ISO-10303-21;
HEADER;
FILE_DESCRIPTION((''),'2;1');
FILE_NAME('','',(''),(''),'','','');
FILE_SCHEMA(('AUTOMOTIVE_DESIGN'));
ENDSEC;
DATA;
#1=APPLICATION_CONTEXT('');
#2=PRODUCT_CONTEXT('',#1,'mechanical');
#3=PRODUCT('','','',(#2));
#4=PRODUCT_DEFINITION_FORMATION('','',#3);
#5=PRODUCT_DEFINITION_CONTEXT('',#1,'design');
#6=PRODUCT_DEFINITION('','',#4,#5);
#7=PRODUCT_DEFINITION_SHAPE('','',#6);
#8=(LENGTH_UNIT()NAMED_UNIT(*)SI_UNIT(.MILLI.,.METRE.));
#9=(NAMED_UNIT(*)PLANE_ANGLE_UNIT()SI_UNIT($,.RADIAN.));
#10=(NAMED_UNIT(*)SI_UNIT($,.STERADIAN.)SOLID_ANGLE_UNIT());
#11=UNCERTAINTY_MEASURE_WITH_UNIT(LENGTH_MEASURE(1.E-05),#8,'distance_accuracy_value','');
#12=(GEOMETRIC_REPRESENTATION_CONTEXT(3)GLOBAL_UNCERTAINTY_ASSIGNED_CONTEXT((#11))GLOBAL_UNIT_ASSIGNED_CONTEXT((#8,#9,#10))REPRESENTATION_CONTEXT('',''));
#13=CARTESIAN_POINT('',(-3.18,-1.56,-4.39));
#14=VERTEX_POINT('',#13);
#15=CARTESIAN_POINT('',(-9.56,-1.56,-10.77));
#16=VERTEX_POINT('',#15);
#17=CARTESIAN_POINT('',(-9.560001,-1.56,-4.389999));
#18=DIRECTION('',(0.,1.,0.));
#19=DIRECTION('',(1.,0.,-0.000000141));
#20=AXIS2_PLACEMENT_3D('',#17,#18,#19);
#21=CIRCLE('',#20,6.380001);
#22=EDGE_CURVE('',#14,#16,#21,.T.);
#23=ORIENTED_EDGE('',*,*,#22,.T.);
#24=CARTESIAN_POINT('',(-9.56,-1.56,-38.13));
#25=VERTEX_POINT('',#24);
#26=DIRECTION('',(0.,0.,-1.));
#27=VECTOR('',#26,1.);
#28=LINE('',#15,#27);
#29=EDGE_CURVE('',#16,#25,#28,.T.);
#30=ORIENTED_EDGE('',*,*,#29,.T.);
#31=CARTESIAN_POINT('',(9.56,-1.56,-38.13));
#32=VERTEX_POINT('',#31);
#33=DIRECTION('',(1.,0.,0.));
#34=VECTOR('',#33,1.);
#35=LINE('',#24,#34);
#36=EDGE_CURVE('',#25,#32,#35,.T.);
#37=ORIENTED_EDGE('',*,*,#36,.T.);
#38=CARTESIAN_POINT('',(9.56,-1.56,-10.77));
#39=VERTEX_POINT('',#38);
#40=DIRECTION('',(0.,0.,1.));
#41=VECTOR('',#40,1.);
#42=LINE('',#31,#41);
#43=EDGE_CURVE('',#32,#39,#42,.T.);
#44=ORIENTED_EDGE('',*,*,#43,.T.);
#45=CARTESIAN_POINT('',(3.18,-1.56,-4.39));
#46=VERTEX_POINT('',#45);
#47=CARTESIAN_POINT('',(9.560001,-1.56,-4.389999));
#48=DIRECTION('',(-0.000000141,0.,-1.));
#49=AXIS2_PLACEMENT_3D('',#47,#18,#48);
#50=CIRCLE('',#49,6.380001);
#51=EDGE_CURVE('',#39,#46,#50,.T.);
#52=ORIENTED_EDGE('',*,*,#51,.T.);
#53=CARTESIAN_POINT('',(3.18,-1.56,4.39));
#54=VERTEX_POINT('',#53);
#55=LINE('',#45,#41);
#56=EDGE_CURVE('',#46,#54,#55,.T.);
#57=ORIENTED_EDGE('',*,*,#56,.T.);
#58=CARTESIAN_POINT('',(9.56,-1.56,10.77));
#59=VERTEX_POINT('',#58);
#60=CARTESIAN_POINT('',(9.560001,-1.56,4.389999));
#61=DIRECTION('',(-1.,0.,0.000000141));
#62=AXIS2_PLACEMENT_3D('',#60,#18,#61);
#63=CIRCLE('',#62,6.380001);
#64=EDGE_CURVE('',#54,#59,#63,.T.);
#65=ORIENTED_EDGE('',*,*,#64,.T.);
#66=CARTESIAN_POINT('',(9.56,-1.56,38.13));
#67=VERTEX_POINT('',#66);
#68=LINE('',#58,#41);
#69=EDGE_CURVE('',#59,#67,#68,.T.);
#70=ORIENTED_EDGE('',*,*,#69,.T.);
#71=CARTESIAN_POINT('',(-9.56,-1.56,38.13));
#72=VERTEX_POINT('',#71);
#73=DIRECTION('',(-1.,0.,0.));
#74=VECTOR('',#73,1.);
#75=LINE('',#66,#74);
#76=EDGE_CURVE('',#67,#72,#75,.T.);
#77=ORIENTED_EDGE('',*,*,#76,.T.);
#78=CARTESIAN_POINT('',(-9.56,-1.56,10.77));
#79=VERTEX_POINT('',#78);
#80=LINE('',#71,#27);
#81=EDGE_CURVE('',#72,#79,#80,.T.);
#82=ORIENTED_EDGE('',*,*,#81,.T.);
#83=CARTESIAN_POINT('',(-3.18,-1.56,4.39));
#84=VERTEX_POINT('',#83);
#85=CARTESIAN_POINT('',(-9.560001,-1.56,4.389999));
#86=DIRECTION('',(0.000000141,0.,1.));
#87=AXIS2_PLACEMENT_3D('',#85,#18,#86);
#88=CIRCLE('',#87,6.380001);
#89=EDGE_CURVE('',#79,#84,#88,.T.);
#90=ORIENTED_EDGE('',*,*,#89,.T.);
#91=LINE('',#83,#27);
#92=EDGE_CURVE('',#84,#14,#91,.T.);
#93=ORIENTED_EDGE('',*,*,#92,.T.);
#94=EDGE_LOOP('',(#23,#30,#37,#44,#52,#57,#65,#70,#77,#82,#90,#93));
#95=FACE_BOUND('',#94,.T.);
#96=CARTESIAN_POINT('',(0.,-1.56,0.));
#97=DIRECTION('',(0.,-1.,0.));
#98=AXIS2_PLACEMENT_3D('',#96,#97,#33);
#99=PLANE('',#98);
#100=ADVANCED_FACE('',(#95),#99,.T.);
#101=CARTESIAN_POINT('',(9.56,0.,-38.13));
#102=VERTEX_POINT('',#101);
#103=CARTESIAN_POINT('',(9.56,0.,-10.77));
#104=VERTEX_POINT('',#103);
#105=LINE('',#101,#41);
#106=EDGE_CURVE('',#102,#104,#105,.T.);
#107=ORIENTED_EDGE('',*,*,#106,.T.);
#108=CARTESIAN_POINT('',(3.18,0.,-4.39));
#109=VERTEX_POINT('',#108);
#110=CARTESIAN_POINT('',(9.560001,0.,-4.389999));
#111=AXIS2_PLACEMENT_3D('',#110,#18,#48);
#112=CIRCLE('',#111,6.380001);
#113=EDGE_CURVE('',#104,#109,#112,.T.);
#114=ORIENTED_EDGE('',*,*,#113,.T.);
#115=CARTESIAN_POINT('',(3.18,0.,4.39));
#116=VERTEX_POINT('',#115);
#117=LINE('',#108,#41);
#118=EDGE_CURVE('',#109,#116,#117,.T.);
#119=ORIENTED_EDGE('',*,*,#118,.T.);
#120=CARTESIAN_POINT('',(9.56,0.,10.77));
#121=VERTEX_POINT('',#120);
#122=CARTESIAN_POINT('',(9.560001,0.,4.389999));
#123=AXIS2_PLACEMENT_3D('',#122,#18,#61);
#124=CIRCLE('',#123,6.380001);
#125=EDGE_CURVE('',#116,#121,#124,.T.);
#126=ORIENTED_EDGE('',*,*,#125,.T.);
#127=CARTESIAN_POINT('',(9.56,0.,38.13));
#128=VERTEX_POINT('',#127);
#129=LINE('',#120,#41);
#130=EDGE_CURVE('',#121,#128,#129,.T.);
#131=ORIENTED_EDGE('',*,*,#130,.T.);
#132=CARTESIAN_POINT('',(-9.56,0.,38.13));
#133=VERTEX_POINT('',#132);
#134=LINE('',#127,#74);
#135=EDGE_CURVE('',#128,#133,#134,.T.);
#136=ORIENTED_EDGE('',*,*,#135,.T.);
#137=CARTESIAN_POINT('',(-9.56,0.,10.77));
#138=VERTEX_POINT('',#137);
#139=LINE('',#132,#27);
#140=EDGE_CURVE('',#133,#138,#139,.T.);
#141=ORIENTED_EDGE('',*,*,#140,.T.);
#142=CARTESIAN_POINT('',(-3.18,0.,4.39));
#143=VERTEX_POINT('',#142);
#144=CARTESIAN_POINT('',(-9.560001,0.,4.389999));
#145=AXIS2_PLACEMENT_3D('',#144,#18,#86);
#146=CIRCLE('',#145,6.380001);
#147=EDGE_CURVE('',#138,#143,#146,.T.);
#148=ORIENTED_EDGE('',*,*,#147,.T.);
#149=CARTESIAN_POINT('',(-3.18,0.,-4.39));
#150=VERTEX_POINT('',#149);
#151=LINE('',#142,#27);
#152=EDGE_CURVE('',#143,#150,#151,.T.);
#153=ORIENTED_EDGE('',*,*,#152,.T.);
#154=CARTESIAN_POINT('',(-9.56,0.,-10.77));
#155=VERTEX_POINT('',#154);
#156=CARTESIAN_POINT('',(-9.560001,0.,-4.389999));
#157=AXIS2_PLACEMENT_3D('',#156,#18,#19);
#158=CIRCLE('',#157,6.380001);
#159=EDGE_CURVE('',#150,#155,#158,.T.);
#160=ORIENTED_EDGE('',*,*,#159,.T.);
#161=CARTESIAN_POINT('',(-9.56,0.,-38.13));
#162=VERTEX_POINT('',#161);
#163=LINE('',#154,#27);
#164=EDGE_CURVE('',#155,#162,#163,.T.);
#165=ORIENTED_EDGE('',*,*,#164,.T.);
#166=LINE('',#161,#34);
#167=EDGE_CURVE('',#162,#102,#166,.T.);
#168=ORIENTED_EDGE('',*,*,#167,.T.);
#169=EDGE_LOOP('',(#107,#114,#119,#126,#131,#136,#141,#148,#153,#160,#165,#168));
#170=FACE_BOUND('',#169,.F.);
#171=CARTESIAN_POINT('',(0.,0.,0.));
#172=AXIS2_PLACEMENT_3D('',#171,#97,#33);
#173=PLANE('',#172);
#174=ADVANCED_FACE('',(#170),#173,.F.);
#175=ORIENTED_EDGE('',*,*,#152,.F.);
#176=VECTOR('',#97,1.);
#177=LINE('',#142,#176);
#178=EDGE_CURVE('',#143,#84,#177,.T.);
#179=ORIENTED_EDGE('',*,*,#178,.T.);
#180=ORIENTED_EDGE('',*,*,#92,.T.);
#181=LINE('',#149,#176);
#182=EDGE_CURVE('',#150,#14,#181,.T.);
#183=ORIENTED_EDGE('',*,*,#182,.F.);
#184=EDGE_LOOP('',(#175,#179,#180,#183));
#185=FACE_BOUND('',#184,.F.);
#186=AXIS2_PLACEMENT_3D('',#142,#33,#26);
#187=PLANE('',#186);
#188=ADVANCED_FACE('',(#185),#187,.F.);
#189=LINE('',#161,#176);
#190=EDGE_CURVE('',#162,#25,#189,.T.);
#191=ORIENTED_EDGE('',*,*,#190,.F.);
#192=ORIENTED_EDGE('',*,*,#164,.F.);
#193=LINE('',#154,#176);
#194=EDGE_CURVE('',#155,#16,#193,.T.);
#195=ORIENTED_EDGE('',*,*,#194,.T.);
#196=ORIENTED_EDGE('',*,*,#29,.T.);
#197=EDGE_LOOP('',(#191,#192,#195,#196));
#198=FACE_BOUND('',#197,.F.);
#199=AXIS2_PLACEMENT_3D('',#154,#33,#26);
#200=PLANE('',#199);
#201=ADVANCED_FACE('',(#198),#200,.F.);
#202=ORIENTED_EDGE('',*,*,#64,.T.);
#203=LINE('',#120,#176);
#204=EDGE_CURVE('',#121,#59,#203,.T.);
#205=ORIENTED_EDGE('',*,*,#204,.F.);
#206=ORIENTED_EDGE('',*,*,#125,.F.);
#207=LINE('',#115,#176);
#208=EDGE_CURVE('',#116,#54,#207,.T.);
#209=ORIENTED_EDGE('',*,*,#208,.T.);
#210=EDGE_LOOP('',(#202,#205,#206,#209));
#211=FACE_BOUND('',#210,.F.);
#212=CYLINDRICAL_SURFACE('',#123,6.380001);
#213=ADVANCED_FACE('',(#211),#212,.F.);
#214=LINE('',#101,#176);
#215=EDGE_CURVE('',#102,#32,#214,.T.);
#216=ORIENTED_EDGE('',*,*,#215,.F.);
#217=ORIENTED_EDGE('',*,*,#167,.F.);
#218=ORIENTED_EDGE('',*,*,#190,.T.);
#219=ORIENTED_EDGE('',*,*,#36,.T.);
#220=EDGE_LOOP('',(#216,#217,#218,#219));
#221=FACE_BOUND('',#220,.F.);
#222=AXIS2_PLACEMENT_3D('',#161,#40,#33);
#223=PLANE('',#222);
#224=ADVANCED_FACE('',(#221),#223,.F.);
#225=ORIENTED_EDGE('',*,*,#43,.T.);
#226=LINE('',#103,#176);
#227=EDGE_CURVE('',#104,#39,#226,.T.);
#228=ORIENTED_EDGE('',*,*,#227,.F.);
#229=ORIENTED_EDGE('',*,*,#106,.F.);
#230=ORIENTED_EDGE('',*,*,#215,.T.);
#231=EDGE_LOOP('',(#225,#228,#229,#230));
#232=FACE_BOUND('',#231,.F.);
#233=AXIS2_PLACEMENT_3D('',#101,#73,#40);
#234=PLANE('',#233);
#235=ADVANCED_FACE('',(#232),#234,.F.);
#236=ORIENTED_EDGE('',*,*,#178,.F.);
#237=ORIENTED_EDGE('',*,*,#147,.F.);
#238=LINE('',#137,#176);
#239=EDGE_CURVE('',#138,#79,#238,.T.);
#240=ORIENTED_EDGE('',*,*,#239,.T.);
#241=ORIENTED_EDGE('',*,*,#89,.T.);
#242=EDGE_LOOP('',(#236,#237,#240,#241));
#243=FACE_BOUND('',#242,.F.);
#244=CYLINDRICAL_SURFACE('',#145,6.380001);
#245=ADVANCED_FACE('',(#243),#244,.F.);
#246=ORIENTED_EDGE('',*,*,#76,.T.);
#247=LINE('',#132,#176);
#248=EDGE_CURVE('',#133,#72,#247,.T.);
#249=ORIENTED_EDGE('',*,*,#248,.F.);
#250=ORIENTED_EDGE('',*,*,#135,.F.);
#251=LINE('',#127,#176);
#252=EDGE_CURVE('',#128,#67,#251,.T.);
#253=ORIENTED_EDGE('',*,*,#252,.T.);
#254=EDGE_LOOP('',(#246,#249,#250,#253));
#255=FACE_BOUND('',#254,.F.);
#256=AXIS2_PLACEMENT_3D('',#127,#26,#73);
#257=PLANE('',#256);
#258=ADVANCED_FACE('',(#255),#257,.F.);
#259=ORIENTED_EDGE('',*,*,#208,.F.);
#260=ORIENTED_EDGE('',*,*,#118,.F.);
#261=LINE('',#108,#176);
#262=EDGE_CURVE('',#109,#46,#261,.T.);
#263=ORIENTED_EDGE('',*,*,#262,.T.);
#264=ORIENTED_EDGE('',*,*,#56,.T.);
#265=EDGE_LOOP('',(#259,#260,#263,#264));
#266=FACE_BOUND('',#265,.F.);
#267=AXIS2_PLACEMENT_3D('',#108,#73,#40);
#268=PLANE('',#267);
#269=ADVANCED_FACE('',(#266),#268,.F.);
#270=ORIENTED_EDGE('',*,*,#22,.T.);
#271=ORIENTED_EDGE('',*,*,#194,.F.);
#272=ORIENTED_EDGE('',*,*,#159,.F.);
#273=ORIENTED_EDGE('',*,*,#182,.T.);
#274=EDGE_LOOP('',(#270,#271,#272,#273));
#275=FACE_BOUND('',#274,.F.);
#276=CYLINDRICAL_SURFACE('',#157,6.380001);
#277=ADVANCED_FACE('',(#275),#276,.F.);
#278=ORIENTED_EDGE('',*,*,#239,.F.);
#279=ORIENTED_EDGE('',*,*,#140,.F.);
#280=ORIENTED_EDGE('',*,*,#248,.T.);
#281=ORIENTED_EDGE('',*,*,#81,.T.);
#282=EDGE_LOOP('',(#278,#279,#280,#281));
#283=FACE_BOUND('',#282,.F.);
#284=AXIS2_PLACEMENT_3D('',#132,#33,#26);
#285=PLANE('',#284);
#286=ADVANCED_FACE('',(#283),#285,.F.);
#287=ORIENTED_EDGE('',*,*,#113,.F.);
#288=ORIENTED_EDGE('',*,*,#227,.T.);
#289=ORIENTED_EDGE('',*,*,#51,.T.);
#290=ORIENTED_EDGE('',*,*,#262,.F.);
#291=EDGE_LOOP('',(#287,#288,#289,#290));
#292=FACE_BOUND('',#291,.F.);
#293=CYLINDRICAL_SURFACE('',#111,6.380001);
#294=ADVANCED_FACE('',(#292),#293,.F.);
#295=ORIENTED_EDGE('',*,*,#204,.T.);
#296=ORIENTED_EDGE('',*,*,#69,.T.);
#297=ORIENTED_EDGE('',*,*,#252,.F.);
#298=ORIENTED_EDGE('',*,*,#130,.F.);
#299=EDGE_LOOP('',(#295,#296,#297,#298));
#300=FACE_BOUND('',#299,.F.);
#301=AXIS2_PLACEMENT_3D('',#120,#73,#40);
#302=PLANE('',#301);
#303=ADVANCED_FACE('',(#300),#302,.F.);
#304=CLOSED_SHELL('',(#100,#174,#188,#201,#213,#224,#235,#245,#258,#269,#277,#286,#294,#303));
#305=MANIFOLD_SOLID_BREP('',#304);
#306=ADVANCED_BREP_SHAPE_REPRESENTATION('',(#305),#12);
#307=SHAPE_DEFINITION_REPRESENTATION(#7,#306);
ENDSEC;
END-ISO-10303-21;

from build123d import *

# Parameters (mm, degrees)
F1_DEPTH = 1.56


with BuildPart() as f1:
    # F0 (on Front) → F1 (new body)
    with BuildSketch(Plane.XZ):
        with BuildLine():
            Line((3.18, -4.39), (3.18, 0))
            Line((3.18, 0), (3.18, 4.39))
            ThreePointArc((3.18, 4.39), (5.048659, 8.901341), (9.56, 10.77))
            Line((9.56, 10.77), (9.56, 38.13))
            Line((9.56, 38.13), (-9.56, 38.13))
            Line((-9.56, 38.13), (-9.56, 10.77))
            ThreePointArc((-9.56, 10.77), (-5.048659, 8.901341), (-3.18, 4.39))
            Line((-3.18, 4.39), (-3.18, 0))
            Line((-3.18, 0), (-3.18, -4.39))
            ThreePointArc((-3.18, -4.39), (-5.048659, -8.901341), (-9.56, -10.77))
            Line((-9.56, -10.77), (-9.56, -38.13))
            Line((-9.56, -38.13), (9.56, -38.13))
            Line((9.56, -38.13), (9.56, -10.77))
            ThreePointArc((9.56, -10.77), (5.048659, -8.901341), (3.18, -4.39))
        make_face()
    extrude(amount=F1_DEPTH)


solid = f1.part
